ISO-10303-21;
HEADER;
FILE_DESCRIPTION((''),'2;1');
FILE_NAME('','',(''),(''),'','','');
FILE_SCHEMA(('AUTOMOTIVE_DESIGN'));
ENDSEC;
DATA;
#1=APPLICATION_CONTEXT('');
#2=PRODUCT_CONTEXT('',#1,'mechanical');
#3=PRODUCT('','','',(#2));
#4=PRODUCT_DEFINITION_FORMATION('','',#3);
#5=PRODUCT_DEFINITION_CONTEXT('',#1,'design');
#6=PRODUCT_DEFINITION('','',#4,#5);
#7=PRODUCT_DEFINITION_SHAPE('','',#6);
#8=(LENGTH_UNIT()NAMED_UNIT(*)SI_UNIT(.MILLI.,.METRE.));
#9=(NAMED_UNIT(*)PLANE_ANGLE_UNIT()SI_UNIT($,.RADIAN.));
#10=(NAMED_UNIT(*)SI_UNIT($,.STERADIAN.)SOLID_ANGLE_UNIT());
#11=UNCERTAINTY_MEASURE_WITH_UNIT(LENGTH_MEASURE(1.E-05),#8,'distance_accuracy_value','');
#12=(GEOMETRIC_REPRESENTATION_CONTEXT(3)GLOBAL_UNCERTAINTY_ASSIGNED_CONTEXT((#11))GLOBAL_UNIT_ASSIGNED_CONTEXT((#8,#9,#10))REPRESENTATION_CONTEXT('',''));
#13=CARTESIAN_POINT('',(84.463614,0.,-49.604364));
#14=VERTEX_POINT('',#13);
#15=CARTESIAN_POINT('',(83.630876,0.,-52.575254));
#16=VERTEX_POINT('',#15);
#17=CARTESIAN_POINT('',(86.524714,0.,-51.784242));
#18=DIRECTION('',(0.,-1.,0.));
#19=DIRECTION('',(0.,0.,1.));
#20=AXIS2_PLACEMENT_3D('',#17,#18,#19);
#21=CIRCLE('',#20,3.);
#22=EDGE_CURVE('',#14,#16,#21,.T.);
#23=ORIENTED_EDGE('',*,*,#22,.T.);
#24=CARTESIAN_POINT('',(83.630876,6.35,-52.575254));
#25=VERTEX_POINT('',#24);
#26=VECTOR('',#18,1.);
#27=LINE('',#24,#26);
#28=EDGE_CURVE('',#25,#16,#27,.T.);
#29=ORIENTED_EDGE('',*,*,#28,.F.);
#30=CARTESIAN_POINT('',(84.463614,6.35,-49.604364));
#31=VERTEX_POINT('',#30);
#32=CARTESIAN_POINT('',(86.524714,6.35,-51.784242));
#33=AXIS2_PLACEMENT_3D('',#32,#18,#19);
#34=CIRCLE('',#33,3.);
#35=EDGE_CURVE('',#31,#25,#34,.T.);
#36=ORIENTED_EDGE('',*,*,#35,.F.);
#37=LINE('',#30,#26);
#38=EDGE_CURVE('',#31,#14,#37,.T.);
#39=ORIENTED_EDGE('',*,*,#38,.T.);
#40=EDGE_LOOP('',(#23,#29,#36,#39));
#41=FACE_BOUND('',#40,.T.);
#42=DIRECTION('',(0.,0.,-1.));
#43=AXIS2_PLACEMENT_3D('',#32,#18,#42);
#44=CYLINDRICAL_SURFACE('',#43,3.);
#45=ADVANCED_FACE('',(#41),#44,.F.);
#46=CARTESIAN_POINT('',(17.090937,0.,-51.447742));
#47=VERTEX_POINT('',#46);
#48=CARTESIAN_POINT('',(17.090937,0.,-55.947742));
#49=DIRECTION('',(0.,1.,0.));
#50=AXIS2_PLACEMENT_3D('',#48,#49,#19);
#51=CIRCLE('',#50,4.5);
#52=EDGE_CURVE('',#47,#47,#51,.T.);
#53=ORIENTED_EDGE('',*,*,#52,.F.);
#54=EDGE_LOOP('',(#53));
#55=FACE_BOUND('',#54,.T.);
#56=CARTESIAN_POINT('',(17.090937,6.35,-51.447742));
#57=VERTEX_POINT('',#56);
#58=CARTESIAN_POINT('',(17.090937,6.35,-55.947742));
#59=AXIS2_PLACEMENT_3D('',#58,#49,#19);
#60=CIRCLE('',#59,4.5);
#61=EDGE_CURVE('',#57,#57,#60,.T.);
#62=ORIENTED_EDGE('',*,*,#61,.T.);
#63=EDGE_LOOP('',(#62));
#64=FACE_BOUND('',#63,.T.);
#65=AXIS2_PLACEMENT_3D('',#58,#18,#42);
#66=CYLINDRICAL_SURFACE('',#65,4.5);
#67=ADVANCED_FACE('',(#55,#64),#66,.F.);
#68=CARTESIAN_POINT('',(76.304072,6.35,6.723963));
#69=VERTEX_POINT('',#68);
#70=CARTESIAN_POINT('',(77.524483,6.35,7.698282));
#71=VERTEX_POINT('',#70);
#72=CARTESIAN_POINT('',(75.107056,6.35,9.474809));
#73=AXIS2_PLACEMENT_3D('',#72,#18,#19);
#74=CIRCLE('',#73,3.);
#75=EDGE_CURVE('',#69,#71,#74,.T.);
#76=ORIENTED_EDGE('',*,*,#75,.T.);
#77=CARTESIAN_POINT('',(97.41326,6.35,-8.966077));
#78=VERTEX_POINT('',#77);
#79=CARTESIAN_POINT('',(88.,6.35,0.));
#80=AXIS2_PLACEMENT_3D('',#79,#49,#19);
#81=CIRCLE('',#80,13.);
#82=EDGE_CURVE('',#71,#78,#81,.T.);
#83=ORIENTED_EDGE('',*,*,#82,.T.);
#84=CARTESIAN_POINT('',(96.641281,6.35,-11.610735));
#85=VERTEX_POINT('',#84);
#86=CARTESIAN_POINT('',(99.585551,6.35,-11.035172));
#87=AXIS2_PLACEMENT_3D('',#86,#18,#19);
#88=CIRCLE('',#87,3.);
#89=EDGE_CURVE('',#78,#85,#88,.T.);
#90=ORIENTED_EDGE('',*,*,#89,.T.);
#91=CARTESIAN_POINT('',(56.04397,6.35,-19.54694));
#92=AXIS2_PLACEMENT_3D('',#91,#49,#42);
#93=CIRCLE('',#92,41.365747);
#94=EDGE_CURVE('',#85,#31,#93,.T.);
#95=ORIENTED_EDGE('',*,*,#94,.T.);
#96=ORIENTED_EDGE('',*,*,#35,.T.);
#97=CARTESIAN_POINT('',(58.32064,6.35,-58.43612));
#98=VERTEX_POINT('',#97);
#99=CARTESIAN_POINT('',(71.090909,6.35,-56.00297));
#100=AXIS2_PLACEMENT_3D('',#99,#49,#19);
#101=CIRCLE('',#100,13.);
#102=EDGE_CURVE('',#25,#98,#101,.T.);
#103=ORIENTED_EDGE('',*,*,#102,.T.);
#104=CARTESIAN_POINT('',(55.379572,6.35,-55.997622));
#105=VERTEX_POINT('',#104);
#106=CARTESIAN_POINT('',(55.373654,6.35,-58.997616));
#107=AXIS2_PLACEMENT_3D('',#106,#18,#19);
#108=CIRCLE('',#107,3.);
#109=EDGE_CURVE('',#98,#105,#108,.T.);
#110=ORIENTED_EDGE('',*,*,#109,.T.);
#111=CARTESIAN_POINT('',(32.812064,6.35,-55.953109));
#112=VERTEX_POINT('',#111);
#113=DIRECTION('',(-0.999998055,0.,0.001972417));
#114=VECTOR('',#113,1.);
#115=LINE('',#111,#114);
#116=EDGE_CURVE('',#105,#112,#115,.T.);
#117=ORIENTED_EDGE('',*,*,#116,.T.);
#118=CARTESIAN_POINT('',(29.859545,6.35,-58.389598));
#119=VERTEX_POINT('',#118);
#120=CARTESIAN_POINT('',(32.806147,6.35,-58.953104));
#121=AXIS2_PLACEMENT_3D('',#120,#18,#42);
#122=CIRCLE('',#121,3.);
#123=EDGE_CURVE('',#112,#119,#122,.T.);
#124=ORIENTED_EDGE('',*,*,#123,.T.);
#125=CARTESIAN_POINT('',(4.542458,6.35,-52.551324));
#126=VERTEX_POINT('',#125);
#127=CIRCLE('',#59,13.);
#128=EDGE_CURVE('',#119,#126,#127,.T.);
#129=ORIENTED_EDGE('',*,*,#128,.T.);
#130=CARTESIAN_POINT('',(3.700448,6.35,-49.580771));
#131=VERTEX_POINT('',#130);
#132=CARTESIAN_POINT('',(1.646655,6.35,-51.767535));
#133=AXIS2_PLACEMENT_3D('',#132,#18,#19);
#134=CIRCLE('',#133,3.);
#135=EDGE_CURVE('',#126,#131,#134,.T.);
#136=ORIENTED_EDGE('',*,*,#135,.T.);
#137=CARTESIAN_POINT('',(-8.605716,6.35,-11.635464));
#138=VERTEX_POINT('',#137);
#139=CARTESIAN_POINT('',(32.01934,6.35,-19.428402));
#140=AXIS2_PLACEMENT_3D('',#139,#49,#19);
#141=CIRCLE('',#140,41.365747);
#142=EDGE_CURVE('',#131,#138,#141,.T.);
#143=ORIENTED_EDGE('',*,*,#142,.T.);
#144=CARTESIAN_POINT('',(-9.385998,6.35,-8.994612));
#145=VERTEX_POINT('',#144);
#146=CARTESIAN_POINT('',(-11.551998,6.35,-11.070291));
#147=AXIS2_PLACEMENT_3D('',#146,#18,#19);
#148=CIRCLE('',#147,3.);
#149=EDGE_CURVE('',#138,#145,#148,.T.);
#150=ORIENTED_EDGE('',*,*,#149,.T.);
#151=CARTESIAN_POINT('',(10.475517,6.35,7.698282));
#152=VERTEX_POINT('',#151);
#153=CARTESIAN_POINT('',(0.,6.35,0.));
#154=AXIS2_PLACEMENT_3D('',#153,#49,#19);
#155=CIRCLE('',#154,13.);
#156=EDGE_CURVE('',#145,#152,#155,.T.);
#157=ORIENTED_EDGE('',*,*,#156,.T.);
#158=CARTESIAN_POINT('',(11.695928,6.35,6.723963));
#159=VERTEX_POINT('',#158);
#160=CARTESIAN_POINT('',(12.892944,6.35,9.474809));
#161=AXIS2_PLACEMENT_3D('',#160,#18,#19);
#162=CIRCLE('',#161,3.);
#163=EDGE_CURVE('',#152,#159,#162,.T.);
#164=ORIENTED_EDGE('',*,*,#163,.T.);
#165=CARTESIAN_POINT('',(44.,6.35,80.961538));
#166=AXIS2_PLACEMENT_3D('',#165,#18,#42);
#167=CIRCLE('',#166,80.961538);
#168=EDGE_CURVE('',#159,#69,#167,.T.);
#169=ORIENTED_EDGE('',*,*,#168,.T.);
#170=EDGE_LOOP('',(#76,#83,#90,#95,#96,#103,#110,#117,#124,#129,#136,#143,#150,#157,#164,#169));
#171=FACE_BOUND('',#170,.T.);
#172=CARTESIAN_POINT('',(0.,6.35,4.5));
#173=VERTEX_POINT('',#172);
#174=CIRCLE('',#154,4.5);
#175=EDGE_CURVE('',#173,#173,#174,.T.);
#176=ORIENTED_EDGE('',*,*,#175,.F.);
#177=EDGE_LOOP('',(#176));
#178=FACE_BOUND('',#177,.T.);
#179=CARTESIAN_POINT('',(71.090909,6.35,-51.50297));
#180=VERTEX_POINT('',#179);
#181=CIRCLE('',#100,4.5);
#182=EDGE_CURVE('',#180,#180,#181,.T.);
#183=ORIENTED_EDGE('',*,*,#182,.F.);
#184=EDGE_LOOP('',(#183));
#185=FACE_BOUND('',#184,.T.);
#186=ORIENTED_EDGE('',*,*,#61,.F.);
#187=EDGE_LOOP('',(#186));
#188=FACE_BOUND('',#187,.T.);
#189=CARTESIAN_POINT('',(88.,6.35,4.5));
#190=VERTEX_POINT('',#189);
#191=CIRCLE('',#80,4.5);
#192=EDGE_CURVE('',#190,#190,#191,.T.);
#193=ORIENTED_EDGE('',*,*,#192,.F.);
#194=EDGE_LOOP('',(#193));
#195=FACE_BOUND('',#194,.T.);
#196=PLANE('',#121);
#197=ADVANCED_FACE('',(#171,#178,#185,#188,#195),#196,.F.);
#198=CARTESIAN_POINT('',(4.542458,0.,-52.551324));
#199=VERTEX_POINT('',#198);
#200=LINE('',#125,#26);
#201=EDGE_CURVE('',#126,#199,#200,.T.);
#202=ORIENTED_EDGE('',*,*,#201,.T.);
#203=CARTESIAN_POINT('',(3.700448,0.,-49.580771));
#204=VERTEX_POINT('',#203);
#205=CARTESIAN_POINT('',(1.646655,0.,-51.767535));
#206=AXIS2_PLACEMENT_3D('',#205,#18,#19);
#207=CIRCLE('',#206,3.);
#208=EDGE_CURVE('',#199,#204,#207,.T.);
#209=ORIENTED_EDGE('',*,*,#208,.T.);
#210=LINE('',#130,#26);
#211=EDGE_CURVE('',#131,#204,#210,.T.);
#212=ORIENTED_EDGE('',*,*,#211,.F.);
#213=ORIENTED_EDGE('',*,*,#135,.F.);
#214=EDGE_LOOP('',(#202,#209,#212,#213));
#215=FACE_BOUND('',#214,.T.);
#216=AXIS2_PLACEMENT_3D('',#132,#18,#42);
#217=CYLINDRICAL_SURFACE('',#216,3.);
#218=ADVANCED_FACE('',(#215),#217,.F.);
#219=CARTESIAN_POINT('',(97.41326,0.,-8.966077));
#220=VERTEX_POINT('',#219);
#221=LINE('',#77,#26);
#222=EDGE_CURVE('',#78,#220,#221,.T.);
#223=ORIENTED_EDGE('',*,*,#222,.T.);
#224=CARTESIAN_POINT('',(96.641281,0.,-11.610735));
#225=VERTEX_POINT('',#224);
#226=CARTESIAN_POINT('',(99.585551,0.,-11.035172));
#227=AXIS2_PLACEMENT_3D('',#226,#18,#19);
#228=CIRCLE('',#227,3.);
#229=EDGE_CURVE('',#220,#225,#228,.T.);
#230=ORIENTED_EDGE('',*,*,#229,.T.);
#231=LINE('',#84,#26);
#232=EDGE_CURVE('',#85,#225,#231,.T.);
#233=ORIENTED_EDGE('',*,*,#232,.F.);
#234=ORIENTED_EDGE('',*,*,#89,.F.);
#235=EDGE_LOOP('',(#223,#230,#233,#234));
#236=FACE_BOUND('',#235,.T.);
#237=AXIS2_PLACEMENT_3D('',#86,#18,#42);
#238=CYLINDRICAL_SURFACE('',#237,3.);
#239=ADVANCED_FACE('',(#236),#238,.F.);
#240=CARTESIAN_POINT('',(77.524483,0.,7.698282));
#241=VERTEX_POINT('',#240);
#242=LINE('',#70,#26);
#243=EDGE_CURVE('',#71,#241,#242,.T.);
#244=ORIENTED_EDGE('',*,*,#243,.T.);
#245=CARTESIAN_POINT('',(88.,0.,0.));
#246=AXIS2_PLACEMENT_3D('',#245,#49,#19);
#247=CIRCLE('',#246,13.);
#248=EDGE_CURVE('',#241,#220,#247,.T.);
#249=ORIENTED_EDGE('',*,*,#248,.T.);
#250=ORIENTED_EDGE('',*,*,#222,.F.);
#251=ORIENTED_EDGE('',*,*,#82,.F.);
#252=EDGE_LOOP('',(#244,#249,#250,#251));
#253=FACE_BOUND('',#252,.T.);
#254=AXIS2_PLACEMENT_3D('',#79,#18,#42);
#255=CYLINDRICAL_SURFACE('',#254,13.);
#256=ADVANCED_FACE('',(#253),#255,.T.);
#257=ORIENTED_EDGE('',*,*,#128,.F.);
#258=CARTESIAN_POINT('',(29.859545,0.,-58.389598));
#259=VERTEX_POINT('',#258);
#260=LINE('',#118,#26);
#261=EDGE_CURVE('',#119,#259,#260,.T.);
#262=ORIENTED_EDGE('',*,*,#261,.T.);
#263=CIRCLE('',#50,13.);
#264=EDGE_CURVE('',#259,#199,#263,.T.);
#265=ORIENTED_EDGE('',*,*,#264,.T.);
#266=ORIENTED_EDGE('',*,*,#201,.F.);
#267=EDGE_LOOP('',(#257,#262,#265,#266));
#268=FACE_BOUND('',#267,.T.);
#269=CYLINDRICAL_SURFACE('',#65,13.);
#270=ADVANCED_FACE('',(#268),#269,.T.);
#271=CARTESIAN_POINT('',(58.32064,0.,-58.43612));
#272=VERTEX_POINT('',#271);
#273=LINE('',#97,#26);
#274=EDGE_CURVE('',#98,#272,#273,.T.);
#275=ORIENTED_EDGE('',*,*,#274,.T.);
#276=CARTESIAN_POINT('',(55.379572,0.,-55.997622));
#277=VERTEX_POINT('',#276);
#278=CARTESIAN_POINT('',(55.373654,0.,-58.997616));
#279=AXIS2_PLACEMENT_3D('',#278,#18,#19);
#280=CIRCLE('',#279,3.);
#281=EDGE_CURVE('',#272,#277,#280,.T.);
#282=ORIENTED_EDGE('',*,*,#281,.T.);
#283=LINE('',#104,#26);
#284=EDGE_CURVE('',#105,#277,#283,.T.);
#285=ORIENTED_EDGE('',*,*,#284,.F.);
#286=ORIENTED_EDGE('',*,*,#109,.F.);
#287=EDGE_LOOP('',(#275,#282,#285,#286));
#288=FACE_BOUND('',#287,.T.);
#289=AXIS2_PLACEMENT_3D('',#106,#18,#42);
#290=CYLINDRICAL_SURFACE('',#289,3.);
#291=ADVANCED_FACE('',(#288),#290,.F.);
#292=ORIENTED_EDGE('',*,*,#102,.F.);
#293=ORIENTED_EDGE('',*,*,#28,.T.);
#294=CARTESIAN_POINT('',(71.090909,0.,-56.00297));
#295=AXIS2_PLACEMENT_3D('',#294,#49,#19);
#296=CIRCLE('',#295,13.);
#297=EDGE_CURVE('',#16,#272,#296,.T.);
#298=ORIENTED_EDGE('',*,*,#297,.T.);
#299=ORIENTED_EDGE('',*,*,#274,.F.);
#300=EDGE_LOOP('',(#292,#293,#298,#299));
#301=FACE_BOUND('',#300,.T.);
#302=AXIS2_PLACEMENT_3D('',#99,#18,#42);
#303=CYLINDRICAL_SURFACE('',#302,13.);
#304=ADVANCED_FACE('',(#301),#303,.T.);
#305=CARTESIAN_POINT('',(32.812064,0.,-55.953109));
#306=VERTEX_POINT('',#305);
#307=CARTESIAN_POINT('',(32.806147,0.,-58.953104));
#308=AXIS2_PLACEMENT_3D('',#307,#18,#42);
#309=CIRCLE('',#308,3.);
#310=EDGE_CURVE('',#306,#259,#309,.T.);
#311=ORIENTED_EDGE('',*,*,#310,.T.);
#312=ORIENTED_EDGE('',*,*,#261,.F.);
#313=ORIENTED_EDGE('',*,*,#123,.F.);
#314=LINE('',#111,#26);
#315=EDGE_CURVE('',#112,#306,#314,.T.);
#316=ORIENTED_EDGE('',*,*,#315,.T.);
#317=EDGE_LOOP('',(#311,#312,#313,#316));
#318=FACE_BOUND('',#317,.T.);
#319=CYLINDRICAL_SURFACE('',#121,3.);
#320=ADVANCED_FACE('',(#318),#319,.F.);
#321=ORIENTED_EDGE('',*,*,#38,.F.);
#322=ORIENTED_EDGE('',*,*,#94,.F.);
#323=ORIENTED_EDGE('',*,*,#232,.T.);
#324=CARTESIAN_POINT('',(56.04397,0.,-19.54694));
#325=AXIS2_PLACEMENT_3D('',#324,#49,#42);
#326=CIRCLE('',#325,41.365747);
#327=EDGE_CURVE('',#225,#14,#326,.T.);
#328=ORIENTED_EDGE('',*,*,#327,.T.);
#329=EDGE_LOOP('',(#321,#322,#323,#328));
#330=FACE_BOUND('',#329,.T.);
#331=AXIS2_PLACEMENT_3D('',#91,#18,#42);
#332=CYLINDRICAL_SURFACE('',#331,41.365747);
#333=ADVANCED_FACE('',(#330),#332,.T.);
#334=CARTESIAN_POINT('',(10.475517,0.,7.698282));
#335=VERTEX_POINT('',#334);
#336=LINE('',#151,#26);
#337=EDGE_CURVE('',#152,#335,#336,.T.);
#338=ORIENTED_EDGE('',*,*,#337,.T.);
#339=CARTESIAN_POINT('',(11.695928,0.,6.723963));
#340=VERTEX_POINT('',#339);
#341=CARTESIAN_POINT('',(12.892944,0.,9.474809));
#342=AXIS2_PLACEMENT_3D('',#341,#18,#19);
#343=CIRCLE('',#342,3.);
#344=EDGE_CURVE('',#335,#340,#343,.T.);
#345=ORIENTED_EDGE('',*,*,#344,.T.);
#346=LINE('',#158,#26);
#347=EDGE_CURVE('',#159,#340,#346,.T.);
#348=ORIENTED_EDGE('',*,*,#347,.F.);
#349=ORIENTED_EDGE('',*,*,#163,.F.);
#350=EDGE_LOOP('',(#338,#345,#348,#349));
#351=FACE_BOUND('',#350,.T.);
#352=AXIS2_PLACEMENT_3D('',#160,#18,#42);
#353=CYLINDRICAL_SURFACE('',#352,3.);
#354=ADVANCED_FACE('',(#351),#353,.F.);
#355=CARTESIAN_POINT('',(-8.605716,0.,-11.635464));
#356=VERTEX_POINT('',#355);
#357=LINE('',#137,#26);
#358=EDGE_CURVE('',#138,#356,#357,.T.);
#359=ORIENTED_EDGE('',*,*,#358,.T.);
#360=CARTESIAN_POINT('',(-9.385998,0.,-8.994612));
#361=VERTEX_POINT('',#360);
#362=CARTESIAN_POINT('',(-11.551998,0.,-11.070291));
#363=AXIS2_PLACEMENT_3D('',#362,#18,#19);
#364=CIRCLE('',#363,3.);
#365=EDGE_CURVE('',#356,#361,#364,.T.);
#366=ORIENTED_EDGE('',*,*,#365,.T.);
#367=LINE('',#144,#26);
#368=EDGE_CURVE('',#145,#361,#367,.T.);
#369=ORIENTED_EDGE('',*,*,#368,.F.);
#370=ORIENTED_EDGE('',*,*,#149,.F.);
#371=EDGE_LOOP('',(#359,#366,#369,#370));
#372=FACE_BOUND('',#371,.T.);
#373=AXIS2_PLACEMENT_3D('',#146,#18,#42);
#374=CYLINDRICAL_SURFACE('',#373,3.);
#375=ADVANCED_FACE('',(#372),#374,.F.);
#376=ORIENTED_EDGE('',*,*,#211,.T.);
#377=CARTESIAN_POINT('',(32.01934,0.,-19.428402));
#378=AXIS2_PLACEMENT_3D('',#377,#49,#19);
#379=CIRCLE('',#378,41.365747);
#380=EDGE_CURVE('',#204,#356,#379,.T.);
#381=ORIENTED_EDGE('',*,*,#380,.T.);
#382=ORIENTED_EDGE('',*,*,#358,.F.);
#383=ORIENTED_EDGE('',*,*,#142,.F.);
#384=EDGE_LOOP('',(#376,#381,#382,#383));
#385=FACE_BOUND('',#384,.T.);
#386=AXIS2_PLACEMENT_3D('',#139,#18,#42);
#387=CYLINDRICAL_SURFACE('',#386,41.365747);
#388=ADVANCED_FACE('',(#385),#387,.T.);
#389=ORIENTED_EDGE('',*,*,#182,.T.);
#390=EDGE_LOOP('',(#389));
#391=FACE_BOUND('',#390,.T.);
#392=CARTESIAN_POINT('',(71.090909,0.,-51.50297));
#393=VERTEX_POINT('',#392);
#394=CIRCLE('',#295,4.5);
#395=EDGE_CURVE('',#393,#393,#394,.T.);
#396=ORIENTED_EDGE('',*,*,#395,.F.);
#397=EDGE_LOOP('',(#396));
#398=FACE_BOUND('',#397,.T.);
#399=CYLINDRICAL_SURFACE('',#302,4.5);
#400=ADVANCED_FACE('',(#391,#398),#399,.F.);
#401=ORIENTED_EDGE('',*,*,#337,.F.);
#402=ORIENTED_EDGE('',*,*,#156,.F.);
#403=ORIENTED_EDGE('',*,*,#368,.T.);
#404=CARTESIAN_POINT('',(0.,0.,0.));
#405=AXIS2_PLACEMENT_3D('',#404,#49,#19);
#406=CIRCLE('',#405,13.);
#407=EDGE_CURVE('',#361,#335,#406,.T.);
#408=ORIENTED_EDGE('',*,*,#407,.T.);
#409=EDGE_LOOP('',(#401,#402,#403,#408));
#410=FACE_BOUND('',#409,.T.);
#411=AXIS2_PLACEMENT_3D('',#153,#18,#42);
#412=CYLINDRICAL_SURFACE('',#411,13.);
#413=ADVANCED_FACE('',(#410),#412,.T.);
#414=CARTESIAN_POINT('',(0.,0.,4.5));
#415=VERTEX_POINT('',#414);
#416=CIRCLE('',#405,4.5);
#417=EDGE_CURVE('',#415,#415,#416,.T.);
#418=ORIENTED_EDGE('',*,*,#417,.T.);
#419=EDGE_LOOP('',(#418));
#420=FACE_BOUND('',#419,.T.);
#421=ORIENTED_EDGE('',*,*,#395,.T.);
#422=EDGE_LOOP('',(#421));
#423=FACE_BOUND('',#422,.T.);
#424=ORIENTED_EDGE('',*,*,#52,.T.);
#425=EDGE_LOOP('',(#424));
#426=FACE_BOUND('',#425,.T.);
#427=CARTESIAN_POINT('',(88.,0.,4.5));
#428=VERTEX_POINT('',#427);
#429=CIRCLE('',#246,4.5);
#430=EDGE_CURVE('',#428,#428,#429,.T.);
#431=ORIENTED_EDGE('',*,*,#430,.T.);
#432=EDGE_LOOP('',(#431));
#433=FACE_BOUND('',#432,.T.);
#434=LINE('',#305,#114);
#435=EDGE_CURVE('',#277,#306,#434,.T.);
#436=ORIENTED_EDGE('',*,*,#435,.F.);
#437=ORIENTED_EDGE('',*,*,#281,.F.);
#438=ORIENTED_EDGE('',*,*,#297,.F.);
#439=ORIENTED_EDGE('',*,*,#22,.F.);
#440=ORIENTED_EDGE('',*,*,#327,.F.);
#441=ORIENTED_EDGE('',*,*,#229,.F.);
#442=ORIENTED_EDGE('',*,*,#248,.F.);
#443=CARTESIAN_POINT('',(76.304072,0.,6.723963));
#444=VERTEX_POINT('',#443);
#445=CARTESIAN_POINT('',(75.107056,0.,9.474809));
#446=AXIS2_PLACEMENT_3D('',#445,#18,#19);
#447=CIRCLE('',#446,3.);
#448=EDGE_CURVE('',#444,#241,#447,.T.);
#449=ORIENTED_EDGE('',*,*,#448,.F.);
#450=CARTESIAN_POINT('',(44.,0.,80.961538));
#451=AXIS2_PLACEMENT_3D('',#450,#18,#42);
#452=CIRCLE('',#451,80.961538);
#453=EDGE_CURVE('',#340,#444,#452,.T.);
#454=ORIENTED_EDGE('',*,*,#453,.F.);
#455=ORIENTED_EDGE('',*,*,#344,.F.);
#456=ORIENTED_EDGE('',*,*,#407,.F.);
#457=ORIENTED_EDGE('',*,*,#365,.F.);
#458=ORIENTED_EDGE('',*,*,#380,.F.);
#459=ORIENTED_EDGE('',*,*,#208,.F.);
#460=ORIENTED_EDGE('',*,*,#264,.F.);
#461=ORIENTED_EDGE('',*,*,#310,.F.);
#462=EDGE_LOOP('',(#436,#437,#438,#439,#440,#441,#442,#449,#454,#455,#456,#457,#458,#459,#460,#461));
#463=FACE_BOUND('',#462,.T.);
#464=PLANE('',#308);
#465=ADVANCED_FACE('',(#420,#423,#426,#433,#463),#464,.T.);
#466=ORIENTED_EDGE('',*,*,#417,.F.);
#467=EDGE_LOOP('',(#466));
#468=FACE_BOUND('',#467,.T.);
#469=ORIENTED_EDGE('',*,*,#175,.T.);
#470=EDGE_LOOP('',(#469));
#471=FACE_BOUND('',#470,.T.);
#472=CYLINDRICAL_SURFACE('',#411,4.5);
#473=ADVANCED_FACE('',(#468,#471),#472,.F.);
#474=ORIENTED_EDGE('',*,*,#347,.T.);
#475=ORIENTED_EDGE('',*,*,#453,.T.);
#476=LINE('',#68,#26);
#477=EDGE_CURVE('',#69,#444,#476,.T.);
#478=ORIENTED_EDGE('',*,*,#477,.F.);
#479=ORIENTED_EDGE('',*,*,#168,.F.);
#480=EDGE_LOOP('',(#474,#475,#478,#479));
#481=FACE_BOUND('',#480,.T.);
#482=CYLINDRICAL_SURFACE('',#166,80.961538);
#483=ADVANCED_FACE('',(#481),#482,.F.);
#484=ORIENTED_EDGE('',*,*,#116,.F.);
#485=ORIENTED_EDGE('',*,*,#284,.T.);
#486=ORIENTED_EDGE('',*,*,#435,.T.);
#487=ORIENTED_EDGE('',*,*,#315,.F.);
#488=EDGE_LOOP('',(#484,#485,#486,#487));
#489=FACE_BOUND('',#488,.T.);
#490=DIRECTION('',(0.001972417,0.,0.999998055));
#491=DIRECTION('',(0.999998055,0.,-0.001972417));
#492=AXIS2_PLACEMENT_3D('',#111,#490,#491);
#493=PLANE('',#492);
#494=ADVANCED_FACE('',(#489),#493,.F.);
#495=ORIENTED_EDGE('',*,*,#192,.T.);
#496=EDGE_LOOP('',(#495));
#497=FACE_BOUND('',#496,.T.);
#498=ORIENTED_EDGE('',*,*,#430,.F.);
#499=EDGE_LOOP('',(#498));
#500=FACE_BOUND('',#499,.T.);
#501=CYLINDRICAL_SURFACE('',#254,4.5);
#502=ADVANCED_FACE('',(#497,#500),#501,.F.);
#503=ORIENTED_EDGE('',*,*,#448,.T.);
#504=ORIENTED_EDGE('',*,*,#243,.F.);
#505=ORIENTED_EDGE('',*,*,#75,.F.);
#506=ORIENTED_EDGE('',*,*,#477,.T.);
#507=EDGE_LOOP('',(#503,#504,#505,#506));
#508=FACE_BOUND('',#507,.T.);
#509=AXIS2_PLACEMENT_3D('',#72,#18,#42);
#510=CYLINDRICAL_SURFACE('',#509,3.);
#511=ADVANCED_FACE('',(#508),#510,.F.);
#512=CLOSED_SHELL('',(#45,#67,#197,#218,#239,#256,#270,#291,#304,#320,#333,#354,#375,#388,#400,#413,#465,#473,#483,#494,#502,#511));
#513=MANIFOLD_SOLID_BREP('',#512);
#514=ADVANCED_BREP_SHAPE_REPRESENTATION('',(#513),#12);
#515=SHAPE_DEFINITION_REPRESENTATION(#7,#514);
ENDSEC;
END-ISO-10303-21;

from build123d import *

# Parameters (mm, degrees)
SKETCH1_R      = 4.5
EXTRUDE1_DEPTH = 6.35


with BuildPart() as part:
    # Sketch1 → Extrude1 (new body)
    with BuildSketch(Plane(origin=(0, 0, 0), x_dir=(1, 0, 0), z_dir=(0, 1, 0))):
        with BuildLine():
            Line((32.812063874, 55.953109441), (55.379571692, 55.997622064))
            ThreePointArc((55.379571692, 55.997622064), (57.288458974, 56.688173959), (58.320639688, 58.436120054))
            ThreePointArc((58.320639688, 58.436120054), (74.0236038, 68.667854555), (83.630875665, 52.575253766))
            ThreePointArc((83.630875665, 52.575253766), (83.636046743, 50.974550497), (84.463614261, 49.604364488))
            ThreePointArc((84.463614261, 49.604364488), (95.435770873, 32.172746021), (96.641280568, 11.610735189))
            ThreePointArc((96.641280568, 11.610735189), (96.705732474, 10.194548777), (97.413259954, 8.966077015))
            ThreePointArc((97.413259954, 8.966077015), (96.34909056, -9.964571582), (77.524483139, -7.698282048))
            ThreePointArc((77.524483139, -7.698282048), (76.978786155, -7.130320059), (76.304071652, -6.723962634))
            ThreePointArc((76.304071652, -6.723962634), (44, 0), (11.695928348, -6.723962634))
            ThreePointArc((11.695928348, -6.723962634), (11.021213845, -7.130320059), (10.475516861, -7.698282048))
            ThreePointArc((10.475516861, -7.698282048), (-8.364205722, -9.951887391), (-9.385998192, 8.994611606))
            ThreePointArc((-9.385998192, 8.994611606), (-8.674953739, 10.220222023), (-8.60571551, 11.635464468))
            ThreePointArc((-8.60571551, 11.635464468), (-7.328831083, 32.189532865), (3.700447598, 49.58077127))
            ThreePointArc((3.700447598, 49.58077127), (4.532944762, 50.949409073), (4.542457699, 52.551323698))
            ThreePointArc((4.542457699, 52.551323698), (14.169725803, 68.615280401), (29.859544881, 58.389598348))
            ThreePointArc((29.859544881, 58.389598348), (30.896689666, 56.63923798), (32.812063874, 55.953109441))
        make_face()
        with Locations(Location((17.090937333, 55.947742234, 0), (0, 0, 270))):  # turned: the seam where the file's is
            Circle(SKETCH1_R, mode=Mode.SUBTRACT)
        with Locations(Location((71.090909091, 56.002969963, 0), (0, 0, 270))):  # turned: the seam where the file's is
            Circle(SKETCH1_R, mode=Mode.SUBTRACT)
        with Locations(Location((0, 0, 0), (0, 0, 270))):  # turned: the seam where the file's is
            Circle(SKETCH1_R, mode=Mode.SUBTRACT)
        with Locations(Location((88, 0, 0), (0, 0, 270))):  # turned: the seam where the file's is
            Circle(SKETCH1_R, mode=Mode.SUBTRACT)
    extrude(amount=EXTRUDE1_DEPTH)


solid = part.part
